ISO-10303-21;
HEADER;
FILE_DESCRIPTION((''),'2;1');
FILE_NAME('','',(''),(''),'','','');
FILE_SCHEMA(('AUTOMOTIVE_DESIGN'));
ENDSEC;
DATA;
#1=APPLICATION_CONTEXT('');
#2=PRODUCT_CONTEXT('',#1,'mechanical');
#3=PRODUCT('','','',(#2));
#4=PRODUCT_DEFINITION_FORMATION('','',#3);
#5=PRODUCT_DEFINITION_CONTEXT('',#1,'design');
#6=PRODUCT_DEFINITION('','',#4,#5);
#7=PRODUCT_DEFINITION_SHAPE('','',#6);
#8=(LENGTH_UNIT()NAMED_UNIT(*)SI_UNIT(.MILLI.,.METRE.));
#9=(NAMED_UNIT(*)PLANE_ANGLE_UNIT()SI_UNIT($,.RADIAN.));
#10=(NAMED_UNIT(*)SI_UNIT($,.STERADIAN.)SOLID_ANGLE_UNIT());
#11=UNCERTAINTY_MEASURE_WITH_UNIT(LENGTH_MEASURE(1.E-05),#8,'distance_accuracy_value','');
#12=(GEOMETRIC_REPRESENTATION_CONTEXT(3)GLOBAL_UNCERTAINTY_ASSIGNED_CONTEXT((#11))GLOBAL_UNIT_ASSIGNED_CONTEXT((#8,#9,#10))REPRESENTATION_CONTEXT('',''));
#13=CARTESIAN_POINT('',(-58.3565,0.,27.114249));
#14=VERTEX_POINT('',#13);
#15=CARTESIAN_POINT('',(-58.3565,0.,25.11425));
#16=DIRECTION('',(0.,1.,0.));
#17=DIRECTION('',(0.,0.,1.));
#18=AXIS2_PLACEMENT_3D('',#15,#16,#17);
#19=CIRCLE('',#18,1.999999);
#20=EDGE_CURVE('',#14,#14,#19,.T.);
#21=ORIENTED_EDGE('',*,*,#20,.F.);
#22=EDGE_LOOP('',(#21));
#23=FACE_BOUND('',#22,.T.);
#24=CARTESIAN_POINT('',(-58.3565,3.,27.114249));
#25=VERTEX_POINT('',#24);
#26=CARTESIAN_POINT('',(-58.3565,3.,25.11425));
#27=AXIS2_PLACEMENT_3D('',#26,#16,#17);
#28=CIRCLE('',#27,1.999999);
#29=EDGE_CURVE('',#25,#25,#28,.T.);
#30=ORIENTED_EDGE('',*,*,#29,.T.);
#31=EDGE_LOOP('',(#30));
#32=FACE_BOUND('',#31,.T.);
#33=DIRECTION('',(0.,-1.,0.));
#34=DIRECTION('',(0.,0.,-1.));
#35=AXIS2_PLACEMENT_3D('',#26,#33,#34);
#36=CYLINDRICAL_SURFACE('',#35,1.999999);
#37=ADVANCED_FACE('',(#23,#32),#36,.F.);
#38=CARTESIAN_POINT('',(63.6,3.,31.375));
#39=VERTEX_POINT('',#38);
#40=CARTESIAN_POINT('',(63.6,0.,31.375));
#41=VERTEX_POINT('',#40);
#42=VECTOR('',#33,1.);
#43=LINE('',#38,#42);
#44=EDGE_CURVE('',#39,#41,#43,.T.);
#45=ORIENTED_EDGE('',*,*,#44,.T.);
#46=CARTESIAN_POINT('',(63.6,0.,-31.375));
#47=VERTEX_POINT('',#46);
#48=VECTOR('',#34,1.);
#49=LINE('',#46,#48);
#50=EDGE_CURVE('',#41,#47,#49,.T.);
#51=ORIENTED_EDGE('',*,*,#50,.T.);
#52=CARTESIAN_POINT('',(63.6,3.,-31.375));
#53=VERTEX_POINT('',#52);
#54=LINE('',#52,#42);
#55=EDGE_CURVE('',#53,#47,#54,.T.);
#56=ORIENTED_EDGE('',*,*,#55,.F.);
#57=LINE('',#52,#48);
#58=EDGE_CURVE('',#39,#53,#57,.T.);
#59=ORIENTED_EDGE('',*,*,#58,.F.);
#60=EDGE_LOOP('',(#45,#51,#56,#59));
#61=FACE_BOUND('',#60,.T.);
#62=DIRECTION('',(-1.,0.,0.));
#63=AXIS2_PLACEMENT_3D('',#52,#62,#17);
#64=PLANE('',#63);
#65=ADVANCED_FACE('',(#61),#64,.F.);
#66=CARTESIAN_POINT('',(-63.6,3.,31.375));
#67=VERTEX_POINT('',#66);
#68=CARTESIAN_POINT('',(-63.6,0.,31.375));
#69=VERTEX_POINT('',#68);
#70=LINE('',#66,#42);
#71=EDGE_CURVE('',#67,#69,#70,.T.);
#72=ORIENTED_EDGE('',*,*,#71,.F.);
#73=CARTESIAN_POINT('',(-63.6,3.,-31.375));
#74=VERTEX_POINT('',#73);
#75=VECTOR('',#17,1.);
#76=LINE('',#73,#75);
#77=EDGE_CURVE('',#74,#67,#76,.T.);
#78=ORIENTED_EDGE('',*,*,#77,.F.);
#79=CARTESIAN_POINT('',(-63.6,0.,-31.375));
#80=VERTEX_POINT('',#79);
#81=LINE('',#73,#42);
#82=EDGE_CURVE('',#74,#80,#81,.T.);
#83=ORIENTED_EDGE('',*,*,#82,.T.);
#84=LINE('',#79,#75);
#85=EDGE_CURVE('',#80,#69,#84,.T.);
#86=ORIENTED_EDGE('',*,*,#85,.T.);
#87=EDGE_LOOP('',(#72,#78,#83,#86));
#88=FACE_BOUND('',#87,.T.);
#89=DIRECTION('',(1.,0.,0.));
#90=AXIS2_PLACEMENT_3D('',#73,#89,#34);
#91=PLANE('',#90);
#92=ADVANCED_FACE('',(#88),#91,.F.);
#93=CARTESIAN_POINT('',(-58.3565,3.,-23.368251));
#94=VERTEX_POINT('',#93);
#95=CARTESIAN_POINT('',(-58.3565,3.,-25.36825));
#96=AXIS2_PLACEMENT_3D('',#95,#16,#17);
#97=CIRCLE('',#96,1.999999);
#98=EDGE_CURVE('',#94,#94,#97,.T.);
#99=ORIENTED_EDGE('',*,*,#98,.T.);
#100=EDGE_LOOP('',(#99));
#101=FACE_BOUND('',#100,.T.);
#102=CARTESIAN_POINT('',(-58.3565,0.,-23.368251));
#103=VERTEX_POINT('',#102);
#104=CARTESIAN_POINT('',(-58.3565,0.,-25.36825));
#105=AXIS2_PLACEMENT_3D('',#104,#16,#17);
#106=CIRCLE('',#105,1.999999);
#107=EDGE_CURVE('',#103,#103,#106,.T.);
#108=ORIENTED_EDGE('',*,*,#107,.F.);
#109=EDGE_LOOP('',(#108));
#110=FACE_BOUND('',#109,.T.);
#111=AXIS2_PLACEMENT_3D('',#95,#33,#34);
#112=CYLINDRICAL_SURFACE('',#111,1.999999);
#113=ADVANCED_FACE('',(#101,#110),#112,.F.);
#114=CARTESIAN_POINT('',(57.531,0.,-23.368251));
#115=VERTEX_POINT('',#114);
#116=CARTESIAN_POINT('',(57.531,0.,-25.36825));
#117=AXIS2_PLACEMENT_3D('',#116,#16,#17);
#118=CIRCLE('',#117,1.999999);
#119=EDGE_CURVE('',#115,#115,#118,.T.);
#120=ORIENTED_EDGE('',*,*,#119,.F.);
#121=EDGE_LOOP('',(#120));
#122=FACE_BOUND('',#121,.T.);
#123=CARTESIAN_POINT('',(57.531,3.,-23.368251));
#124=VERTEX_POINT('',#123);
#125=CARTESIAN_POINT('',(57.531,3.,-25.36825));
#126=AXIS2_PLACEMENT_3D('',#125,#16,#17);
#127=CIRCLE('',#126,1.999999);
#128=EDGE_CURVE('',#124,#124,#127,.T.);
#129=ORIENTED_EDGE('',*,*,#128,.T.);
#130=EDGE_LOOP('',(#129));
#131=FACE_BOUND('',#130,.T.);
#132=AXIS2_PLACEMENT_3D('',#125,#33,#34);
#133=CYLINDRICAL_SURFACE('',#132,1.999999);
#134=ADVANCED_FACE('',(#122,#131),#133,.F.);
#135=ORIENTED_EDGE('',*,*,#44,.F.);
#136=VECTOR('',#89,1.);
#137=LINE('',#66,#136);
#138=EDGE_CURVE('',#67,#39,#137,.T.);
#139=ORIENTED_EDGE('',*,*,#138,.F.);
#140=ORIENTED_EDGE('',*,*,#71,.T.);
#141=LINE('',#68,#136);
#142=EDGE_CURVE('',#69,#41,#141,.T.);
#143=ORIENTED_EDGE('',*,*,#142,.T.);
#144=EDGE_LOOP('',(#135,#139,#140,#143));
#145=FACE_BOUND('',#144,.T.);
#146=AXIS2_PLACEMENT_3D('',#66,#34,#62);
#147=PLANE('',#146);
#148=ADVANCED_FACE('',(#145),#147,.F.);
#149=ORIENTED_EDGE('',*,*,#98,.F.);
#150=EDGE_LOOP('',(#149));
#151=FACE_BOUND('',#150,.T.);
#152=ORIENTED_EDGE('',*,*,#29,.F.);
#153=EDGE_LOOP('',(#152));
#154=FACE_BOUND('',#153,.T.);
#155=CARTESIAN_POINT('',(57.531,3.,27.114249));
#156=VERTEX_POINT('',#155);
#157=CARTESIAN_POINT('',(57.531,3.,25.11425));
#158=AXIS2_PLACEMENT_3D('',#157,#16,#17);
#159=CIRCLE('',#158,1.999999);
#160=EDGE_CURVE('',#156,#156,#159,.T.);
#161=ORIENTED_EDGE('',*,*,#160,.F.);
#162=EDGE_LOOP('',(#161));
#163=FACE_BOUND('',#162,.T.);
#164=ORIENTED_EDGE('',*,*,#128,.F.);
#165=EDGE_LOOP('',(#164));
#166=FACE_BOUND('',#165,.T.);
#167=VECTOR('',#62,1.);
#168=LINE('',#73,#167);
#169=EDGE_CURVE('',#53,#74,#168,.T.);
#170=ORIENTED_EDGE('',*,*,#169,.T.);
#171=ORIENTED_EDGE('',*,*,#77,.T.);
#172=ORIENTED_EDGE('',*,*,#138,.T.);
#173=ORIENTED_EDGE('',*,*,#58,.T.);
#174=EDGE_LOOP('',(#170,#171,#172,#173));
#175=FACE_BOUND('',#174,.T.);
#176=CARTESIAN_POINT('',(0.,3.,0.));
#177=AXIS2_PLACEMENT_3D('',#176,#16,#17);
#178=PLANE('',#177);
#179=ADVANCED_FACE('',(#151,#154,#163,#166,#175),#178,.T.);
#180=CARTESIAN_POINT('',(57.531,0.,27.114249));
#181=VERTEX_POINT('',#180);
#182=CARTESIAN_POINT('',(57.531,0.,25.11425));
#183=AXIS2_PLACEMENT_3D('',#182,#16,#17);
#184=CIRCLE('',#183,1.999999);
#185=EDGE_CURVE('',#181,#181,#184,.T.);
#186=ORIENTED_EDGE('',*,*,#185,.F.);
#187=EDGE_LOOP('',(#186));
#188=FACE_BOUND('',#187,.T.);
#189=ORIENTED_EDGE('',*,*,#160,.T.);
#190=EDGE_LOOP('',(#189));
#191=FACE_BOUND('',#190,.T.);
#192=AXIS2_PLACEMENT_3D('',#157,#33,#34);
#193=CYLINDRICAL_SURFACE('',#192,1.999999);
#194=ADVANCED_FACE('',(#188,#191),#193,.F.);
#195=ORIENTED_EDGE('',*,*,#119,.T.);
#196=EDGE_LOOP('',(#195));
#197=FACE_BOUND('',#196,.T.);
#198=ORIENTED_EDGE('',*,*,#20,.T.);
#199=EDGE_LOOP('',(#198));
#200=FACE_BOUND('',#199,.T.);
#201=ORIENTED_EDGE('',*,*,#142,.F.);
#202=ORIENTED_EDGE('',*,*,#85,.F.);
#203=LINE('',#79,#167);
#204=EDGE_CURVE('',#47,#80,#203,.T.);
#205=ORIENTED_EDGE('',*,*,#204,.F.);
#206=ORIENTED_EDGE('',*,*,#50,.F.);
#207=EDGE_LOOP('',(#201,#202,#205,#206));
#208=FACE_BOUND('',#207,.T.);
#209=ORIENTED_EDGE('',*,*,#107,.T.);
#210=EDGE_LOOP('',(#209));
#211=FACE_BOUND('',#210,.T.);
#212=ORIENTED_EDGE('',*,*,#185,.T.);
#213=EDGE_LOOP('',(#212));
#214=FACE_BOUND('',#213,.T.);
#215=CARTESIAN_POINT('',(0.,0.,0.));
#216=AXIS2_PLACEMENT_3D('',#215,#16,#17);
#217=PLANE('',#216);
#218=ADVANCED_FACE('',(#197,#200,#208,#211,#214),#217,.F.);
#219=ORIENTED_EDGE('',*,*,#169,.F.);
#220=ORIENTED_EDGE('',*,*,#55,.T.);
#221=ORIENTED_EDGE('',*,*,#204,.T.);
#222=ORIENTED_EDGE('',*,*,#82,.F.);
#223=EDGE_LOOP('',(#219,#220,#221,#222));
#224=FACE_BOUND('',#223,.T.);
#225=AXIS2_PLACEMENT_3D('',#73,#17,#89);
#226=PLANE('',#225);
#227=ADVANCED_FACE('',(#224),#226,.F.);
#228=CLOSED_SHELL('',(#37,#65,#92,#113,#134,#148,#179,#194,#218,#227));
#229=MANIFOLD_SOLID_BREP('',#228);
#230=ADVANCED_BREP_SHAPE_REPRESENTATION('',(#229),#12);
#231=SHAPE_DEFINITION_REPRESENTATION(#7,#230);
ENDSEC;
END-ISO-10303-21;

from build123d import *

# Parameters (mm, degrees)
SKETCH1_W           = 127.2
SKETCH1_H           = 62.75
SKETCH1_R           = 1.99999854
BOSS_EXTRUDE1_DEPTH = 3


with BuildPart() as part:
    # Sketch1 → Boss-Extrude1 (new body)
    with BuildSketch(Plane(origin=(0, 0, 0), x_dir=(1, 0, 0), z_dir=(0, 1, 0))):
        Rectangle(SKETCH1_W, SKETCH1_H)
        with Locations(Location((57.531, 25.36825, 0), (0, 0, 270))):
            Circle(SKETCH1_R, mode=Mode.SUBTRACT)
        with Locations(Location((57.531, -25.11425, 0), (0, 0, 270))):
            Circle(SKETCH1_R, mode=Mode.SUBTRACT)
        with Locations(Location((-58.3565, -25.11425, 0), (0, 0, 270))):
            Circle(SKETCH1_R, mode=Mode.SUBTRACT)
        with Locations(Location((-58.3565, 25.36825, 0), (0, 0, 270))):
            Circle(SKETCH1_R, mode=Mode.SUBTRACT)
    extrude(amount=BOSS_EXTRUDE1_DEPTH)


solid = part.part
